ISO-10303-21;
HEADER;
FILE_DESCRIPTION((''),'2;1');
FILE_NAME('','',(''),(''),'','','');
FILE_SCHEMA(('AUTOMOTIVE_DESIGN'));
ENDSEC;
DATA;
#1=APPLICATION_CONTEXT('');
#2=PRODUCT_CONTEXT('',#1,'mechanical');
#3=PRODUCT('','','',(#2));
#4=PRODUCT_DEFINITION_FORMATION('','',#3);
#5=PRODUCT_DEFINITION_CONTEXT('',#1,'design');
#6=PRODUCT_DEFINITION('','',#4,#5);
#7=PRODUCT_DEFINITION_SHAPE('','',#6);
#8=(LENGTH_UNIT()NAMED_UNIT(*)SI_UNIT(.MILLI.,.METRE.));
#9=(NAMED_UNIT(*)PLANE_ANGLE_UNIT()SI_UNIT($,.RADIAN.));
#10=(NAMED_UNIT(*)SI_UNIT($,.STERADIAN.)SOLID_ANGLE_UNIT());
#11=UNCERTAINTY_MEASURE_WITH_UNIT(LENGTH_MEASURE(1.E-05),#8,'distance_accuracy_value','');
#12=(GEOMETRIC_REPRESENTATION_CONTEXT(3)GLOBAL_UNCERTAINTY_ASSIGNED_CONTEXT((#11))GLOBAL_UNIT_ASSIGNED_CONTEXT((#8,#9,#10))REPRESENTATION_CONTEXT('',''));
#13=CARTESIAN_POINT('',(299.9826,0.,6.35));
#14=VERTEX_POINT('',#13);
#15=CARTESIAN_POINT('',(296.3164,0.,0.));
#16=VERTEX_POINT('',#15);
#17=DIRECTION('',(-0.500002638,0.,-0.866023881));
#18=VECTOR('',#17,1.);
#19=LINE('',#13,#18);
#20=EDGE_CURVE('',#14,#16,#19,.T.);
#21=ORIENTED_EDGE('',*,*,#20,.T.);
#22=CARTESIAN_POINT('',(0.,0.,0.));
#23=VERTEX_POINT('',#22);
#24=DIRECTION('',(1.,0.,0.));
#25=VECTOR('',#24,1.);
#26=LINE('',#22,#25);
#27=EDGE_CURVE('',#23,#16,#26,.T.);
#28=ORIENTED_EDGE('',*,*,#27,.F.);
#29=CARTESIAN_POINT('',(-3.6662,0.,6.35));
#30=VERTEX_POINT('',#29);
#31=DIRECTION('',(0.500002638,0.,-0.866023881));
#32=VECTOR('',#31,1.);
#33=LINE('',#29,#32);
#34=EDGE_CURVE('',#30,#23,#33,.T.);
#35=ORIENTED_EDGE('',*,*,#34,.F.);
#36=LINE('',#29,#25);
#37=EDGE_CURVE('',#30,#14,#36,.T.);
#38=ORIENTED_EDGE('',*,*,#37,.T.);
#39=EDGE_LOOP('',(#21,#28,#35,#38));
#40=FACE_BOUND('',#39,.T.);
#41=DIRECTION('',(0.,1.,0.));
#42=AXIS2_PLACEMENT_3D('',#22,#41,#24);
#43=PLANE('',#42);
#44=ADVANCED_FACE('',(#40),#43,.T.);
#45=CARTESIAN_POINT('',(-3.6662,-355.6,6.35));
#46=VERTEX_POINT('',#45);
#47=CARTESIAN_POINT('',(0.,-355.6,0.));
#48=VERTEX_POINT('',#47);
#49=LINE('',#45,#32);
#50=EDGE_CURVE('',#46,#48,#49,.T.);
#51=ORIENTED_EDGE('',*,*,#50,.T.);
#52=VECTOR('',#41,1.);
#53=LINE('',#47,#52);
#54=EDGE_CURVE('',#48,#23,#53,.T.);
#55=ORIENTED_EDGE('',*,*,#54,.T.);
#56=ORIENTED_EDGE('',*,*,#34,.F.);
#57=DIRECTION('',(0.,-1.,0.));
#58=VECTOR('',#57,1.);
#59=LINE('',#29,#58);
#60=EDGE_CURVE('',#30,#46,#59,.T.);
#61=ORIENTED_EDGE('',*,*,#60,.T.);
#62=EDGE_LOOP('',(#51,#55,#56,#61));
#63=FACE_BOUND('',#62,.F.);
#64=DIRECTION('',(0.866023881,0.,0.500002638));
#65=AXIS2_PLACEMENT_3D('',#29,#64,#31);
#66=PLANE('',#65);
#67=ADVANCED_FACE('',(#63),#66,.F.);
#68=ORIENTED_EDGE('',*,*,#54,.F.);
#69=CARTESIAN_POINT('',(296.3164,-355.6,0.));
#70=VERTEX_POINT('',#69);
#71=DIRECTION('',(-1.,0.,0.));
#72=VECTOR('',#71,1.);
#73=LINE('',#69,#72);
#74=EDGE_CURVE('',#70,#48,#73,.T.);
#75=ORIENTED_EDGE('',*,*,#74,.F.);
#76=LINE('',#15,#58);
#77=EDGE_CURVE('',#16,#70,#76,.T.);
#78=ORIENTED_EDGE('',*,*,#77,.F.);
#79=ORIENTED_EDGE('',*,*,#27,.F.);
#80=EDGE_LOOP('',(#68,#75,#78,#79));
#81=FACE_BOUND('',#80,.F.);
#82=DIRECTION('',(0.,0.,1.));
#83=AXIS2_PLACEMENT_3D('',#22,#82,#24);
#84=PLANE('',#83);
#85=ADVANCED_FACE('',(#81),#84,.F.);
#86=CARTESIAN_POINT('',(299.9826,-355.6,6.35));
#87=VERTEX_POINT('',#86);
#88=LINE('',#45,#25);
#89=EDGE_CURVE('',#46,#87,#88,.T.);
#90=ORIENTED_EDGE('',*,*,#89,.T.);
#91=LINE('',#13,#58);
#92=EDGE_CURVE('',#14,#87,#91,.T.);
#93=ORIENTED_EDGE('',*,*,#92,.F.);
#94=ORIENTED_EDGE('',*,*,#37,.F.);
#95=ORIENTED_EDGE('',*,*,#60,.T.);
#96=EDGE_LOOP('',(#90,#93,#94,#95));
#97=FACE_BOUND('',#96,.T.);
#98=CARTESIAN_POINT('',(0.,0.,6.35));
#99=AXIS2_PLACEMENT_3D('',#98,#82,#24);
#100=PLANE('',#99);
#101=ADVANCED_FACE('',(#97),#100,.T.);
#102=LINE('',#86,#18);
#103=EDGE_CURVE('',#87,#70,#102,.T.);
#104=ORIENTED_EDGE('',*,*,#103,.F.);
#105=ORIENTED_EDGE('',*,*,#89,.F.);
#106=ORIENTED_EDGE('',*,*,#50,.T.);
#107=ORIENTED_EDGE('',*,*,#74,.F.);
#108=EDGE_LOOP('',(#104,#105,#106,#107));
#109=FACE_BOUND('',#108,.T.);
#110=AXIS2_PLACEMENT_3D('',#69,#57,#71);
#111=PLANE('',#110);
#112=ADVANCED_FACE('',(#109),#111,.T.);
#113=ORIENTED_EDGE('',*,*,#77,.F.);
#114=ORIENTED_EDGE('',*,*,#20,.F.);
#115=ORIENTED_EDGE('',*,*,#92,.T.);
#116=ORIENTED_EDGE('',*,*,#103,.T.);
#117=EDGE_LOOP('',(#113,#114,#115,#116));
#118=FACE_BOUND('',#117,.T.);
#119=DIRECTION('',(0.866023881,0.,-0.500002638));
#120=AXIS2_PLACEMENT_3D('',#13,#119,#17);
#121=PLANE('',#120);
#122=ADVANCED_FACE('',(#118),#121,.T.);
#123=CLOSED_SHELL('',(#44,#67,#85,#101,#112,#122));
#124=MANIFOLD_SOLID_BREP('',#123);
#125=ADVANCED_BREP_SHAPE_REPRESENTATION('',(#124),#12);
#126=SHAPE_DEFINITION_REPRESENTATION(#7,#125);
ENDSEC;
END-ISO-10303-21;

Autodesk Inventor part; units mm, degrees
ref_plane "YZ Plane" through (0, 0, 0) normal (1, 0, 0) x (0, 1, 0)
ref_plane "XZ Plane" through (0, 0, 0) normal (0, 1, 0) x (-1, 0, 0)
ref_plane "XY Plane" through (0, 0, 0) normal (0, 0, 1) x (1, 0, 0)
sketch "Sketch1" plane through (0, 0, 0) normal (0, 0, 1) x (1, 0, 0)
  line L0 (0, 0) -> (296.3164, 0)
  line L1 (296.3164, 0) -> (296.3164, -355.6)
  line L2 (296.3164, -355.6) -> (0, -355.6)
  line L3 (0, -355.6) -> (0, 0)
  dimension "d0" = 296.3164
  dimension "d1" = 355.6
extrude "Extrusion1" add sketch "Sketch1" along normal blind 6.35
sketch "Sketch2" plane through (0, 0, 0) normal (0, 1, 0) x (1, 0, 0)
  line L0 (296.3164, -6.35) -> (0, -6.35) projected
  line L1 (0, -6.35) -> (-3.6662, -6.35)
  line L2 (-3.6662, -6.35) -> (0, 0)
  line L3 (0, 0) -> (0, -6.35) projected
  line L4 (0, 0) -> (0, -6.35) projected
  line L5 (0, -6.35) -> (0, 0)
  line L6 (296.3164, -6.35) -> (299.9826, -6.35)
  line L7 (296.3164, 0) -> (296.3164, -6.35) projected
  line L8 (299.9826, -6.35) -> (296.3164, 0)
  line L9 (296.3164, 0) -> (296.3164, -6.35)
  dimension "d4" = 30
  dimension "d5" = 60
extrude "Extrusion2" add sketch "Sketch2" against normal blind 355.6
properties part number "BA03" material "ABS Plastic"
